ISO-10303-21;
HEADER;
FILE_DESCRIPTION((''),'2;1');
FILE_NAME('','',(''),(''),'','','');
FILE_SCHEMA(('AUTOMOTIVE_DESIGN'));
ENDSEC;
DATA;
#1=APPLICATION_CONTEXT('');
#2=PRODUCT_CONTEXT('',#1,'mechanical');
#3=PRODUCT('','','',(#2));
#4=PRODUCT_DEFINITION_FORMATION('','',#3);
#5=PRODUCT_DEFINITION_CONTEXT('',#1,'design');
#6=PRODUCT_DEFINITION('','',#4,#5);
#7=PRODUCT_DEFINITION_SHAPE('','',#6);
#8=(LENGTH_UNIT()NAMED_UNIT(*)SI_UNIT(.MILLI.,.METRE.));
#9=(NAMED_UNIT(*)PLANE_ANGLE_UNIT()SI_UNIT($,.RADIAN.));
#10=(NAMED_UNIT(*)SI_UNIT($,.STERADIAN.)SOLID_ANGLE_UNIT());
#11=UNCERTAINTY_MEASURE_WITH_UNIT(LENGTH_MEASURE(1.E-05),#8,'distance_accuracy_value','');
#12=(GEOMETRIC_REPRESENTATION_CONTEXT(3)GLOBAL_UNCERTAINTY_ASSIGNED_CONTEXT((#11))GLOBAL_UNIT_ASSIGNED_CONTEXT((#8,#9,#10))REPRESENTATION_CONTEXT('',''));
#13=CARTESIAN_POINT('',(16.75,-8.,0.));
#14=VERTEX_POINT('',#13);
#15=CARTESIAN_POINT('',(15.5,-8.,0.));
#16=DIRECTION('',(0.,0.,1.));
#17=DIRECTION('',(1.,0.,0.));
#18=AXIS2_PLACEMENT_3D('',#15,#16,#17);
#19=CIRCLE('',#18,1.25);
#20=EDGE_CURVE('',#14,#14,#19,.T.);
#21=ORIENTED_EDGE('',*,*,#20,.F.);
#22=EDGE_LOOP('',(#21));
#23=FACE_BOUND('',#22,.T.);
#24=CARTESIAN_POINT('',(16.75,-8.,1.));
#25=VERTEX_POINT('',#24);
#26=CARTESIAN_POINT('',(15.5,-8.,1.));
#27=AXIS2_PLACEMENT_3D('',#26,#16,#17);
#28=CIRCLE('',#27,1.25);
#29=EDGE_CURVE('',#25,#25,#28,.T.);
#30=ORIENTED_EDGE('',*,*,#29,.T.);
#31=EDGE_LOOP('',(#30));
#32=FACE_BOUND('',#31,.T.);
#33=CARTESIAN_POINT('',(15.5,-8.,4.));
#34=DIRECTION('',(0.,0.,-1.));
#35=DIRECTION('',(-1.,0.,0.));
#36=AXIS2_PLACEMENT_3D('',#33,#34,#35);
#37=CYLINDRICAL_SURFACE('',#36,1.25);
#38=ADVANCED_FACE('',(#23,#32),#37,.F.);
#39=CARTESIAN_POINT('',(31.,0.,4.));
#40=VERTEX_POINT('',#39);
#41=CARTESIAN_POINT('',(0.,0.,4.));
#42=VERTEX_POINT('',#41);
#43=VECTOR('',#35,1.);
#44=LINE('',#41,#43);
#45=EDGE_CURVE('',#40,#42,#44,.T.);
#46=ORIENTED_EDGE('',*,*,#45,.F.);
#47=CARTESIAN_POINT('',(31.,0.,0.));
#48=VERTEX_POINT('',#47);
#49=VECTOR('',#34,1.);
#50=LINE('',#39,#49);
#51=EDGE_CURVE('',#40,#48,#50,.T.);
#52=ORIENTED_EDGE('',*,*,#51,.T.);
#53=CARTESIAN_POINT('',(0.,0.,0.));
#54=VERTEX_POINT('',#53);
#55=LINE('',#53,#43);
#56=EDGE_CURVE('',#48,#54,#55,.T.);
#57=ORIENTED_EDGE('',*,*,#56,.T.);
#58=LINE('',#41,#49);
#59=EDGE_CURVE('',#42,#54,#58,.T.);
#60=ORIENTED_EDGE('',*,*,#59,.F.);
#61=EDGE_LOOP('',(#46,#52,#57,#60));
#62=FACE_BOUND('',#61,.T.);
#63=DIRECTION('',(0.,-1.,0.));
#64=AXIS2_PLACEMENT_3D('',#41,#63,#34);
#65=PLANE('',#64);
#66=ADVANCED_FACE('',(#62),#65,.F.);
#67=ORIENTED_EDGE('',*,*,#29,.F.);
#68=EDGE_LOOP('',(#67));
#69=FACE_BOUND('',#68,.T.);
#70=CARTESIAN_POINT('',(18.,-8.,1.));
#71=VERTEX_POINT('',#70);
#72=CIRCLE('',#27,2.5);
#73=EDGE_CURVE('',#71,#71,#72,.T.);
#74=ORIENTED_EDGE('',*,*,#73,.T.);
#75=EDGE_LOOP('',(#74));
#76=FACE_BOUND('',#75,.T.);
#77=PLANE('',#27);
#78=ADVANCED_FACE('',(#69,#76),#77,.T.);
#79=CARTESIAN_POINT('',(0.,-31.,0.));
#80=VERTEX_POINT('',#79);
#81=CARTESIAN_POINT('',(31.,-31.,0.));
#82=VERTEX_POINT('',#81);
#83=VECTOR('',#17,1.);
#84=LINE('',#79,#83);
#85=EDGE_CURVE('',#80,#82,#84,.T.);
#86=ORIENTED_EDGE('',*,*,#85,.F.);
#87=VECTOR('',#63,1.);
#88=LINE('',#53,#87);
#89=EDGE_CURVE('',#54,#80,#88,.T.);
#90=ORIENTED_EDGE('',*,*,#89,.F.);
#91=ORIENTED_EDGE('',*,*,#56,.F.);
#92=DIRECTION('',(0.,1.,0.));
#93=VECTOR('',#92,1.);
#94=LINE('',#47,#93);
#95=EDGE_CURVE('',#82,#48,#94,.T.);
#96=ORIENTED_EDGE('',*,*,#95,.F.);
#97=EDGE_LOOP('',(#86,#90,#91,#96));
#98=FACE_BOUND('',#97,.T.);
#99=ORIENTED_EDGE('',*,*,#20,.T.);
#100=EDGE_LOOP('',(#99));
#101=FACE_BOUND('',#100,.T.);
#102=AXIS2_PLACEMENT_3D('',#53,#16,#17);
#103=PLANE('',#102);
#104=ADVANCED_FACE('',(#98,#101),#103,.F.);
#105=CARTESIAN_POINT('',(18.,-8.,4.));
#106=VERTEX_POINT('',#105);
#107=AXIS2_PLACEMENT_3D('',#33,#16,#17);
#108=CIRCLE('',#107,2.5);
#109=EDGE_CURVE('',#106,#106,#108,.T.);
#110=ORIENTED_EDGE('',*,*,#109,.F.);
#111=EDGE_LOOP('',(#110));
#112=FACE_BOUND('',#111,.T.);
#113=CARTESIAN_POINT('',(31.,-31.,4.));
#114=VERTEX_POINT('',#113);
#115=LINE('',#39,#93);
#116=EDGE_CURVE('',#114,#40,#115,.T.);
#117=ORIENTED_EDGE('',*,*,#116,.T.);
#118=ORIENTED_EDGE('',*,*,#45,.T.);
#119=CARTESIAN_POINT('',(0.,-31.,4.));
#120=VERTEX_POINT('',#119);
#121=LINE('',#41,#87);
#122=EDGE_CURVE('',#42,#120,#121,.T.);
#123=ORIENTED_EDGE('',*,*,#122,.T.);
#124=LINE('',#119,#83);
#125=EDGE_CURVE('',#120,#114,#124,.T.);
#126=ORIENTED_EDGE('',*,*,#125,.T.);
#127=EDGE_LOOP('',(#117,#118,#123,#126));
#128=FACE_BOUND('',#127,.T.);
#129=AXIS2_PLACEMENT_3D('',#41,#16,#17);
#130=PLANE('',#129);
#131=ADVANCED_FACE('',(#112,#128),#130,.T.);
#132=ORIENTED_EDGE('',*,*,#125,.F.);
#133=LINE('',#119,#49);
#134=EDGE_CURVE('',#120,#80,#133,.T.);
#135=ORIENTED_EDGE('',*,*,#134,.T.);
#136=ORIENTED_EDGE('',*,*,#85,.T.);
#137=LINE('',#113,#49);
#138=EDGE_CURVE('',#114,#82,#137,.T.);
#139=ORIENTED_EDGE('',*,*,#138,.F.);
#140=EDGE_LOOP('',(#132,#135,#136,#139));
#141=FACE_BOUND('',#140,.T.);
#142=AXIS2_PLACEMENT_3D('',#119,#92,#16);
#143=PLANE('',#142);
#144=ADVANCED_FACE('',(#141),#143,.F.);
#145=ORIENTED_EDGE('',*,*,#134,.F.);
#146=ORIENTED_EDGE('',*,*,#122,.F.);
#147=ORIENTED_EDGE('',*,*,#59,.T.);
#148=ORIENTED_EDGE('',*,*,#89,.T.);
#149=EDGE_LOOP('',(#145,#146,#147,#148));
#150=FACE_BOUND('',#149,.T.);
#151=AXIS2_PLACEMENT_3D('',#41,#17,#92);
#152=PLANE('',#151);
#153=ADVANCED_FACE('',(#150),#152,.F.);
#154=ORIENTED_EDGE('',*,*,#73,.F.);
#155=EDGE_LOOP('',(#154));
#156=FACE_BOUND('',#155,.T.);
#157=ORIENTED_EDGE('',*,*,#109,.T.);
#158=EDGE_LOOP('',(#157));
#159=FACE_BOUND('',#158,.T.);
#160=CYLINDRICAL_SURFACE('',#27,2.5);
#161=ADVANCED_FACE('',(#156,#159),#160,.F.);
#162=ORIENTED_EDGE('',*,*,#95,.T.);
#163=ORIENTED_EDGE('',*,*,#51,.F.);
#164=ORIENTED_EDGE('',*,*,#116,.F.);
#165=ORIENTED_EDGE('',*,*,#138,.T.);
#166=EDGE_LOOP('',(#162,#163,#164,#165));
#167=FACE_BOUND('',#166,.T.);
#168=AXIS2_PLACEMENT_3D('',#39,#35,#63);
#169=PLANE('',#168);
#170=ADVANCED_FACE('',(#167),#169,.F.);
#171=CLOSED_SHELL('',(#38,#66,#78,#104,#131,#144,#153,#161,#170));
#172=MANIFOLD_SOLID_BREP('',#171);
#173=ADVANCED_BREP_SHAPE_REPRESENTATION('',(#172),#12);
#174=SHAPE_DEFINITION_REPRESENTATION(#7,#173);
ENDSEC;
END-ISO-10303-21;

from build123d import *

# Parameters (mm, degrees)
CROQUIS1_W              = 31
CROQUIS1_H              = 31
CROQUIS1_R              = 1.25
SALIENTE_EXTRUIR1_DEPTH = 4
CROQUIS2_R              = 2.5
CORTAR_EXTRUIR1_DEPTH   = 3


with BuildPart() as part:
    # Croquis1 → Saliente-Extruir1 (new body)
    with BuildSketch(Plane.XY):
        with Locations((15.5, -15.5)):
            Rectangle(CROQUIS1_W, CROQUIS1_H)
        with Locations((15.5, -8)):
            Circle(CROQUIS1_R, mode=Mode.SUBTRACT)
    extrude(amount=SALIENTE_EXTRUIR1_DEPTH)

    # Croquis2 → Cortar-Extruir1 (cut)
    with BuildSketch(Plane.XY.offset(4)):
        with Locations((15.5, -8)):
            Circle(CROQUIS2_R)
    extrude(amount=-CORTAR_EXTRUIR1_DEPTH, mode=Mode.SUBTRACT)


solid = part.part
